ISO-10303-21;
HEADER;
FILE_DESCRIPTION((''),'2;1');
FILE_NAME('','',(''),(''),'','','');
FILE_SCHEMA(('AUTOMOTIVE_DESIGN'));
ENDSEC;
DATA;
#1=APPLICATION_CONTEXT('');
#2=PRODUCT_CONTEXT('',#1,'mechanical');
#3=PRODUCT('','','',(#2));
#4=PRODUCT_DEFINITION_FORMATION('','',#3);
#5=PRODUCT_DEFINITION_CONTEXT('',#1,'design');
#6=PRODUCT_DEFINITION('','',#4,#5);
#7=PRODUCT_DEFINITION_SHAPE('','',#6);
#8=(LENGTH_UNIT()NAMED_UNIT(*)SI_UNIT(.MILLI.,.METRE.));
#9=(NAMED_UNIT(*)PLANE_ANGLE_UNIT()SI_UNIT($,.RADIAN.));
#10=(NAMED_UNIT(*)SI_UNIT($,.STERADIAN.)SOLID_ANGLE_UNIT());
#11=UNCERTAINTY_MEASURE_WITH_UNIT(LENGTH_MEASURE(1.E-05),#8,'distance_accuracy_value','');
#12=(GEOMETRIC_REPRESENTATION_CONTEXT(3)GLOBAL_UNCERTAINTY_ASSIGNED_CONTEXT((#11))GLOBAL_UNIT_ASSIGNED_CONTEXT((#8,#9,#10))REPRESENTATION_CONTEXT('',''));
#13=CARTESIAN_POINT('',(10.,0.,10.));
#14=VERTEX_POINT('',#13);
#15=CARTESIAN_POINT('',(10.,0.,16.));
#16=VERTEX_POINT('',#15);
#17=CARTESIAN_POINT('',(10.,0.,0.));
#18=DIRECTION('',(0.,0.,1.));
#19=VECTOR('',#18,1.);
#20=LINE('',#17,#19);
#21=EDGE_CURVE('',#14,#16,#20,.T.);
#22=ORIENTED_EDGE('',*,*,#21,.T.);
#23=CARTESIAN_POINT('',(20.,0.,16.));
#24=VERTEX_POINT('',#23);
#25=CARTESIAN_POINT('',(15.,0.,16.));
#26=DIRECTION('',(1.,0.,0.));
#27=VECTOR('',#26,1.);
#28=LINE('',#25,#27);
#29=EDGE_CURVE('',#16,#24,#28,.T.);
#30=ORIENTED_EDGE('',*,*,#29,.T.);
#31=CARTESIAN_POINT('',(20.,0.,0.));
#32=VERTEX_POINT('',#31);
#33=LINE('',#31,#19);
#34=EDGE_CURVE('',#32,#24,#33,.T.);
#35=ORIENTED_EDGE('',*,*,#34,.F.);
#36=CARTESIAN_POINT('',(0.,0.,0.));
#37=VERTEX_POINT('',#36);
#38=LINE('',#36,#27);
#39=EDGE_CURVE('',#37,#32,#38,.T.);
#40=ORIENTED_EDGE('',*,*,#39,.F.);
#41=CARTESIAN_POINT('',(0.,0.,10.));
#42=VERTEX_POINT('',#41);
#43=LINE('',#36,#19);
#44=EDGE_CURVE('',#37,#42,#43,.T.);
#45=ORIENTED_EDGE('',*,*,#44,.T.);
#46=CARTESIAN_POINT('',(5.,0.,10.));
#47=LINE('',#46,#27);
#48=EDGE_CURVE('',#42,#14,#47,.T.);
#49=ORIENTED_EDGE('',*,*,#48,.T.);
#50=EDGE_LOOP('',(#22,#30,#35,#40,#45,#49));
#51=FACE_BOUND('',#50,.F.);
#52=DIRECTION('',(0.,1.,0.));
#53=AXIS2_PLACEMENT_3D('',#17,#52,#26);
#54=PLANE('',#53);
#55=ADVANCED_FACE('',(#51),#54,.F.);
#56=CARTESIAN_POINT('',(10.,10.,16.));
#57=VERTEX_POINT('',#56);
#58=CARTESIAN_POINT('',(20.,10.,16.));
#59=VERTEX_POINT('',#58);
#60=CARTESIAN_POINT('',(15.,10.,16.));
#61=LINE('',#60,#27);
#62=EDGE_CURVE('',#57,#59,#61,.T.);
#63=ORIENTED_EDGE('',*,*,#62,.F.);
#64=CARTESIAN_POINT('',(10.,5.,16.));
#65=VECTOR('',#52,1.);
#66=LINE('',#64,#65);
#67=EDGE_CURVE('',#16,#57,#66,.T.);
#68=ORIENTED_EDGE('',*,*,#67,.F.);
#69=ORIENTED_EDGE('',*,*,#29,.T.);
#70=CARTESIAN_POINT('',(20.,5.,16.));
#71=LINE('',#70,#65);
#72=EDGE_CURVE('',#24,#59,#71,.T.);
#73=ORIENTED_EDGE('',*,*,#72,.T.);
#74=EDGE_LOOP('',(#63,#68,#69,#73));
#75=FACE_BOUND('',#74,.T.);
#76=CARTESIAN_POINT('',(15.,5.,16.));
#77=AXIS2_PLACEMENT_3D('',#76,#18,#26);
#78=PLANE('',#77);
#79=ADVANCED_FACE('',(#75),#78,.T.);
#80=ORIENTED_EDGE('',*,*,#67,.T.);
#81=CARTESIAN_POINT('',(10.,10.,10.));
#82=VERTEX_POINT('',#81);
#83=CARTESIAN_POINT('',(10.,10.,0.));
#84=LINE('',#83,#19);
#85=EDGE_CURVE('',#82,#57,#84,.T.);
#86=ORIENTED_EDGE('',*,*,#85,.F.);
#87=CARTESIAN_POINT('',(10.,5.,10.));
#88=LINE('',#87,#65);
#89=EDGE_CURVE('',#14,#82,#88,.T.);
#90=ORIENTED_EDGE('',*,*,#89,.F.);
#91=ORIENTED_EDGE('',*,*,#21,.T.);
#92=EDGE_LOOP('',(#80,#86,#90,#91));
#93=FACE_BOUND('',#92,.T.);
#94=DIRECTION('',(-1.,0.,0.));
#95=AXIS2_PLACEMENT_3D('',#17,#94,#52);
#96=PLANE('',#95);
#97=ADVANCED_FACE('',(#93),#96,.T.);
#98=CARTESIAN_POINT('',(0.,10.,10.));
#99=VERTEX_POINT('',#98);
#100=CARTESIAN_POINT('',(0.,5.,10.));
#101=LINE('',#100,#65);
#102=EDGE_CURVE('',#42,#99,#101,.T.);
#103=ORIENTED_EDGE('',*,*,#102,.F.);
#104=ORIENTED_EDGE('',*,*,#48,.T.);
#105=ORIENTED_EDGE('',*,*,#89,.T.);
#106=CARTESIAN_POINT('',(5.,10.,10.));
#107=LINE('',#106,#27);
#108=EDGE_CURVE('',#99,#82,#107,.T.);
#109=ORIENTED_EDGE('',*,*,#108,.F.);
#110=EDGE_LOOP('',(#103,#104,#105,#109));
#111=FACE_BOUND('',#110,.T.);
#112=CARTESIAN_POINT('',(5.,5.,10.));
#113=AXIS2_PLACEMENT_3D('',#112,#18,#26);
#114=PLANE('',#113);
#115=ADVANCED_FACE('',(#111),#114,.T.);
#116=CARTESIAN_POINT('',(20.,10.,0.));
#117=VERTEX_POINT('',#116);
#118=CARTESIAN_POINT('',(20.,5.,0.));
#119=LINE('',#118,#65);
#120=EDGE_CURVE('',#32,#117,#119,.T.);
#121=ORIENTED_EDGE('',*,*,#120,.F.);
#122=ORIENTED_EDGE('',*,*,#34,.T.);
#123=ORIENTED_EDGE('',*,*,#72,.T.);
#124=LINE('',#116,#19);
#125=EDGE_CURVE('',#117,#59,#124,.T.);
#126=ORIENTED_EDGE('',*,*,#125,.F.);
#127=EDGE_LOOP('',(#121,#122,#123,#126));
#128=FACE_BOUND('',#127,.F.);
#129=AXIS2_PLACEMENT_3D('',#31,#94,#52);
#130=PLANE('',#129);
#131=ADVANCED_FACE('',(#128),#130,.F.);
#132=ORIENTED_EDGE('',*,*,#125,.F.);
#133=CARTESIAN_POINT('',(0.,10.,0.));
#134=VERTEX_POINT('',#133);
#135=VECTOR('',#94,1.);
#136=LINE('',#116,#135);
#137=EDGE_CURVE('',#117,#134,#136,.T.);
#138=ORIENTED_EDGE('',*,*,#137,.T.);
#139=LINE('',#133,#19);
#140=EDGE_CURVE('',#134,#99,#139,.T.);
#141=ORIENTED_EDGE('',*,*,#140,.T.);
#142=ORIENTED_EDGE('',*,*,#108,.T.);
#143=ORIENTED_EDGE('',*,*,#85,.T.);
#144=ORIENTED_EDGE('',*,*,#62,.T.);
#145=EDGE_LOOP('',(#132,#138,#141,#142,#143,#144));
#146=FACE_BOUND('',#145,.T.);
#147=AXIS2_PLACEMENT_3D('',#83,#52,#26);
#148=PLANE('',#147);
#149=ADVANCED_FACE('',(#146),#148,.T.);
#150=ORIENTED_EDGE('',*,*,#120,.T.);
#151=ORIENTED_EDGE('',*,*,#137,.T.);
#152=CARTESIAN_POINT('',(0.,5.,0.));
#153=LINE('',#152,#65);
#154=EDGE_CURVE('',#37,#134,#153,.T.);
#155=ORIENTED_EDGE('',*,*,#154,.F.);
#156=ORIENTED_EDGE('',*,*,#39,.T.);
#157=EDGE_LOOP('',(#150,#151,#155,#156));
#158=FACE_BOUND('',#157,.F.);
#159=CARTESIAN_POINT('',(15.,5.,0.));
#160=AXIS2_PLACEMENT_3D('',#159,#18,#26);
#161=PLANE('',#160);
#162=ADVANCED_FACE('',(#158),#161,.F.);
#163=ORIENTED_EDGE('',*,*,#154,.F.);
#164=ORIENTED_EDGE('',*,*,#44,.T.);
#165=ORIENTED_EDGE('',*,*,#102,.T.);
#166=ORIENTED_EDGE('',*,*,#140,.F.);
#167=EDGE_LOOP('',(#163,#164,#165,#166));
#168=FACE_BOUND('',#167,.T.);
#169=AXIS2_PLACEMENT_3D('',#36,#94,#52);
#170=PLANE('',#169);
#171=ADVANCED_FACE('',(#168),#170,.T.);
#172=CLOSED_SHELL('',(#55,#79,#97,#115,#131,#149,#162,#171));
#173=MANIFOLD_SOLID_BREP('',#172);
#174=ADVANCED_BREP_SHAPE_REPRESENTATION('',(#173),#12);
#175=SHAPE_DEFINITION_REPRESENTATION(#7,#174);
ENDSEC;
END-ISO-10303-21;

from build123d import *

# Parameters (mm, degrees)
BOX001_W     = 10
BOX001_H     = 10
BOX001_DEPTH = 16
BOX_W        = 10
BOX_H        = 10
BOX_DEPTH    = 10


with BuildPart() as cube001:
    # Box001 → Box001 (new body)
    with BuildSketch(Plane(origin=(10, 0, 0), x_dir=(1, 0, 0), z_dir=(0, 0, 1))):
        with Locations((5, 5)):
            Rectangle(BOX001_W, BOX001_H)
    extrude(amount=BOX001_DEPTH)


with BuildPart() as fusion:
    # Box → Box (new body)
    with BuildSketch(Plane.XY):
        with Locations((5, 5)):
            Rectangle(BOX_W, BOX_H)
    extrude(amount=BOX_DEPTH)

    # Fusion: union Cube001
    add(cube001.part)


solid = fusion.part
